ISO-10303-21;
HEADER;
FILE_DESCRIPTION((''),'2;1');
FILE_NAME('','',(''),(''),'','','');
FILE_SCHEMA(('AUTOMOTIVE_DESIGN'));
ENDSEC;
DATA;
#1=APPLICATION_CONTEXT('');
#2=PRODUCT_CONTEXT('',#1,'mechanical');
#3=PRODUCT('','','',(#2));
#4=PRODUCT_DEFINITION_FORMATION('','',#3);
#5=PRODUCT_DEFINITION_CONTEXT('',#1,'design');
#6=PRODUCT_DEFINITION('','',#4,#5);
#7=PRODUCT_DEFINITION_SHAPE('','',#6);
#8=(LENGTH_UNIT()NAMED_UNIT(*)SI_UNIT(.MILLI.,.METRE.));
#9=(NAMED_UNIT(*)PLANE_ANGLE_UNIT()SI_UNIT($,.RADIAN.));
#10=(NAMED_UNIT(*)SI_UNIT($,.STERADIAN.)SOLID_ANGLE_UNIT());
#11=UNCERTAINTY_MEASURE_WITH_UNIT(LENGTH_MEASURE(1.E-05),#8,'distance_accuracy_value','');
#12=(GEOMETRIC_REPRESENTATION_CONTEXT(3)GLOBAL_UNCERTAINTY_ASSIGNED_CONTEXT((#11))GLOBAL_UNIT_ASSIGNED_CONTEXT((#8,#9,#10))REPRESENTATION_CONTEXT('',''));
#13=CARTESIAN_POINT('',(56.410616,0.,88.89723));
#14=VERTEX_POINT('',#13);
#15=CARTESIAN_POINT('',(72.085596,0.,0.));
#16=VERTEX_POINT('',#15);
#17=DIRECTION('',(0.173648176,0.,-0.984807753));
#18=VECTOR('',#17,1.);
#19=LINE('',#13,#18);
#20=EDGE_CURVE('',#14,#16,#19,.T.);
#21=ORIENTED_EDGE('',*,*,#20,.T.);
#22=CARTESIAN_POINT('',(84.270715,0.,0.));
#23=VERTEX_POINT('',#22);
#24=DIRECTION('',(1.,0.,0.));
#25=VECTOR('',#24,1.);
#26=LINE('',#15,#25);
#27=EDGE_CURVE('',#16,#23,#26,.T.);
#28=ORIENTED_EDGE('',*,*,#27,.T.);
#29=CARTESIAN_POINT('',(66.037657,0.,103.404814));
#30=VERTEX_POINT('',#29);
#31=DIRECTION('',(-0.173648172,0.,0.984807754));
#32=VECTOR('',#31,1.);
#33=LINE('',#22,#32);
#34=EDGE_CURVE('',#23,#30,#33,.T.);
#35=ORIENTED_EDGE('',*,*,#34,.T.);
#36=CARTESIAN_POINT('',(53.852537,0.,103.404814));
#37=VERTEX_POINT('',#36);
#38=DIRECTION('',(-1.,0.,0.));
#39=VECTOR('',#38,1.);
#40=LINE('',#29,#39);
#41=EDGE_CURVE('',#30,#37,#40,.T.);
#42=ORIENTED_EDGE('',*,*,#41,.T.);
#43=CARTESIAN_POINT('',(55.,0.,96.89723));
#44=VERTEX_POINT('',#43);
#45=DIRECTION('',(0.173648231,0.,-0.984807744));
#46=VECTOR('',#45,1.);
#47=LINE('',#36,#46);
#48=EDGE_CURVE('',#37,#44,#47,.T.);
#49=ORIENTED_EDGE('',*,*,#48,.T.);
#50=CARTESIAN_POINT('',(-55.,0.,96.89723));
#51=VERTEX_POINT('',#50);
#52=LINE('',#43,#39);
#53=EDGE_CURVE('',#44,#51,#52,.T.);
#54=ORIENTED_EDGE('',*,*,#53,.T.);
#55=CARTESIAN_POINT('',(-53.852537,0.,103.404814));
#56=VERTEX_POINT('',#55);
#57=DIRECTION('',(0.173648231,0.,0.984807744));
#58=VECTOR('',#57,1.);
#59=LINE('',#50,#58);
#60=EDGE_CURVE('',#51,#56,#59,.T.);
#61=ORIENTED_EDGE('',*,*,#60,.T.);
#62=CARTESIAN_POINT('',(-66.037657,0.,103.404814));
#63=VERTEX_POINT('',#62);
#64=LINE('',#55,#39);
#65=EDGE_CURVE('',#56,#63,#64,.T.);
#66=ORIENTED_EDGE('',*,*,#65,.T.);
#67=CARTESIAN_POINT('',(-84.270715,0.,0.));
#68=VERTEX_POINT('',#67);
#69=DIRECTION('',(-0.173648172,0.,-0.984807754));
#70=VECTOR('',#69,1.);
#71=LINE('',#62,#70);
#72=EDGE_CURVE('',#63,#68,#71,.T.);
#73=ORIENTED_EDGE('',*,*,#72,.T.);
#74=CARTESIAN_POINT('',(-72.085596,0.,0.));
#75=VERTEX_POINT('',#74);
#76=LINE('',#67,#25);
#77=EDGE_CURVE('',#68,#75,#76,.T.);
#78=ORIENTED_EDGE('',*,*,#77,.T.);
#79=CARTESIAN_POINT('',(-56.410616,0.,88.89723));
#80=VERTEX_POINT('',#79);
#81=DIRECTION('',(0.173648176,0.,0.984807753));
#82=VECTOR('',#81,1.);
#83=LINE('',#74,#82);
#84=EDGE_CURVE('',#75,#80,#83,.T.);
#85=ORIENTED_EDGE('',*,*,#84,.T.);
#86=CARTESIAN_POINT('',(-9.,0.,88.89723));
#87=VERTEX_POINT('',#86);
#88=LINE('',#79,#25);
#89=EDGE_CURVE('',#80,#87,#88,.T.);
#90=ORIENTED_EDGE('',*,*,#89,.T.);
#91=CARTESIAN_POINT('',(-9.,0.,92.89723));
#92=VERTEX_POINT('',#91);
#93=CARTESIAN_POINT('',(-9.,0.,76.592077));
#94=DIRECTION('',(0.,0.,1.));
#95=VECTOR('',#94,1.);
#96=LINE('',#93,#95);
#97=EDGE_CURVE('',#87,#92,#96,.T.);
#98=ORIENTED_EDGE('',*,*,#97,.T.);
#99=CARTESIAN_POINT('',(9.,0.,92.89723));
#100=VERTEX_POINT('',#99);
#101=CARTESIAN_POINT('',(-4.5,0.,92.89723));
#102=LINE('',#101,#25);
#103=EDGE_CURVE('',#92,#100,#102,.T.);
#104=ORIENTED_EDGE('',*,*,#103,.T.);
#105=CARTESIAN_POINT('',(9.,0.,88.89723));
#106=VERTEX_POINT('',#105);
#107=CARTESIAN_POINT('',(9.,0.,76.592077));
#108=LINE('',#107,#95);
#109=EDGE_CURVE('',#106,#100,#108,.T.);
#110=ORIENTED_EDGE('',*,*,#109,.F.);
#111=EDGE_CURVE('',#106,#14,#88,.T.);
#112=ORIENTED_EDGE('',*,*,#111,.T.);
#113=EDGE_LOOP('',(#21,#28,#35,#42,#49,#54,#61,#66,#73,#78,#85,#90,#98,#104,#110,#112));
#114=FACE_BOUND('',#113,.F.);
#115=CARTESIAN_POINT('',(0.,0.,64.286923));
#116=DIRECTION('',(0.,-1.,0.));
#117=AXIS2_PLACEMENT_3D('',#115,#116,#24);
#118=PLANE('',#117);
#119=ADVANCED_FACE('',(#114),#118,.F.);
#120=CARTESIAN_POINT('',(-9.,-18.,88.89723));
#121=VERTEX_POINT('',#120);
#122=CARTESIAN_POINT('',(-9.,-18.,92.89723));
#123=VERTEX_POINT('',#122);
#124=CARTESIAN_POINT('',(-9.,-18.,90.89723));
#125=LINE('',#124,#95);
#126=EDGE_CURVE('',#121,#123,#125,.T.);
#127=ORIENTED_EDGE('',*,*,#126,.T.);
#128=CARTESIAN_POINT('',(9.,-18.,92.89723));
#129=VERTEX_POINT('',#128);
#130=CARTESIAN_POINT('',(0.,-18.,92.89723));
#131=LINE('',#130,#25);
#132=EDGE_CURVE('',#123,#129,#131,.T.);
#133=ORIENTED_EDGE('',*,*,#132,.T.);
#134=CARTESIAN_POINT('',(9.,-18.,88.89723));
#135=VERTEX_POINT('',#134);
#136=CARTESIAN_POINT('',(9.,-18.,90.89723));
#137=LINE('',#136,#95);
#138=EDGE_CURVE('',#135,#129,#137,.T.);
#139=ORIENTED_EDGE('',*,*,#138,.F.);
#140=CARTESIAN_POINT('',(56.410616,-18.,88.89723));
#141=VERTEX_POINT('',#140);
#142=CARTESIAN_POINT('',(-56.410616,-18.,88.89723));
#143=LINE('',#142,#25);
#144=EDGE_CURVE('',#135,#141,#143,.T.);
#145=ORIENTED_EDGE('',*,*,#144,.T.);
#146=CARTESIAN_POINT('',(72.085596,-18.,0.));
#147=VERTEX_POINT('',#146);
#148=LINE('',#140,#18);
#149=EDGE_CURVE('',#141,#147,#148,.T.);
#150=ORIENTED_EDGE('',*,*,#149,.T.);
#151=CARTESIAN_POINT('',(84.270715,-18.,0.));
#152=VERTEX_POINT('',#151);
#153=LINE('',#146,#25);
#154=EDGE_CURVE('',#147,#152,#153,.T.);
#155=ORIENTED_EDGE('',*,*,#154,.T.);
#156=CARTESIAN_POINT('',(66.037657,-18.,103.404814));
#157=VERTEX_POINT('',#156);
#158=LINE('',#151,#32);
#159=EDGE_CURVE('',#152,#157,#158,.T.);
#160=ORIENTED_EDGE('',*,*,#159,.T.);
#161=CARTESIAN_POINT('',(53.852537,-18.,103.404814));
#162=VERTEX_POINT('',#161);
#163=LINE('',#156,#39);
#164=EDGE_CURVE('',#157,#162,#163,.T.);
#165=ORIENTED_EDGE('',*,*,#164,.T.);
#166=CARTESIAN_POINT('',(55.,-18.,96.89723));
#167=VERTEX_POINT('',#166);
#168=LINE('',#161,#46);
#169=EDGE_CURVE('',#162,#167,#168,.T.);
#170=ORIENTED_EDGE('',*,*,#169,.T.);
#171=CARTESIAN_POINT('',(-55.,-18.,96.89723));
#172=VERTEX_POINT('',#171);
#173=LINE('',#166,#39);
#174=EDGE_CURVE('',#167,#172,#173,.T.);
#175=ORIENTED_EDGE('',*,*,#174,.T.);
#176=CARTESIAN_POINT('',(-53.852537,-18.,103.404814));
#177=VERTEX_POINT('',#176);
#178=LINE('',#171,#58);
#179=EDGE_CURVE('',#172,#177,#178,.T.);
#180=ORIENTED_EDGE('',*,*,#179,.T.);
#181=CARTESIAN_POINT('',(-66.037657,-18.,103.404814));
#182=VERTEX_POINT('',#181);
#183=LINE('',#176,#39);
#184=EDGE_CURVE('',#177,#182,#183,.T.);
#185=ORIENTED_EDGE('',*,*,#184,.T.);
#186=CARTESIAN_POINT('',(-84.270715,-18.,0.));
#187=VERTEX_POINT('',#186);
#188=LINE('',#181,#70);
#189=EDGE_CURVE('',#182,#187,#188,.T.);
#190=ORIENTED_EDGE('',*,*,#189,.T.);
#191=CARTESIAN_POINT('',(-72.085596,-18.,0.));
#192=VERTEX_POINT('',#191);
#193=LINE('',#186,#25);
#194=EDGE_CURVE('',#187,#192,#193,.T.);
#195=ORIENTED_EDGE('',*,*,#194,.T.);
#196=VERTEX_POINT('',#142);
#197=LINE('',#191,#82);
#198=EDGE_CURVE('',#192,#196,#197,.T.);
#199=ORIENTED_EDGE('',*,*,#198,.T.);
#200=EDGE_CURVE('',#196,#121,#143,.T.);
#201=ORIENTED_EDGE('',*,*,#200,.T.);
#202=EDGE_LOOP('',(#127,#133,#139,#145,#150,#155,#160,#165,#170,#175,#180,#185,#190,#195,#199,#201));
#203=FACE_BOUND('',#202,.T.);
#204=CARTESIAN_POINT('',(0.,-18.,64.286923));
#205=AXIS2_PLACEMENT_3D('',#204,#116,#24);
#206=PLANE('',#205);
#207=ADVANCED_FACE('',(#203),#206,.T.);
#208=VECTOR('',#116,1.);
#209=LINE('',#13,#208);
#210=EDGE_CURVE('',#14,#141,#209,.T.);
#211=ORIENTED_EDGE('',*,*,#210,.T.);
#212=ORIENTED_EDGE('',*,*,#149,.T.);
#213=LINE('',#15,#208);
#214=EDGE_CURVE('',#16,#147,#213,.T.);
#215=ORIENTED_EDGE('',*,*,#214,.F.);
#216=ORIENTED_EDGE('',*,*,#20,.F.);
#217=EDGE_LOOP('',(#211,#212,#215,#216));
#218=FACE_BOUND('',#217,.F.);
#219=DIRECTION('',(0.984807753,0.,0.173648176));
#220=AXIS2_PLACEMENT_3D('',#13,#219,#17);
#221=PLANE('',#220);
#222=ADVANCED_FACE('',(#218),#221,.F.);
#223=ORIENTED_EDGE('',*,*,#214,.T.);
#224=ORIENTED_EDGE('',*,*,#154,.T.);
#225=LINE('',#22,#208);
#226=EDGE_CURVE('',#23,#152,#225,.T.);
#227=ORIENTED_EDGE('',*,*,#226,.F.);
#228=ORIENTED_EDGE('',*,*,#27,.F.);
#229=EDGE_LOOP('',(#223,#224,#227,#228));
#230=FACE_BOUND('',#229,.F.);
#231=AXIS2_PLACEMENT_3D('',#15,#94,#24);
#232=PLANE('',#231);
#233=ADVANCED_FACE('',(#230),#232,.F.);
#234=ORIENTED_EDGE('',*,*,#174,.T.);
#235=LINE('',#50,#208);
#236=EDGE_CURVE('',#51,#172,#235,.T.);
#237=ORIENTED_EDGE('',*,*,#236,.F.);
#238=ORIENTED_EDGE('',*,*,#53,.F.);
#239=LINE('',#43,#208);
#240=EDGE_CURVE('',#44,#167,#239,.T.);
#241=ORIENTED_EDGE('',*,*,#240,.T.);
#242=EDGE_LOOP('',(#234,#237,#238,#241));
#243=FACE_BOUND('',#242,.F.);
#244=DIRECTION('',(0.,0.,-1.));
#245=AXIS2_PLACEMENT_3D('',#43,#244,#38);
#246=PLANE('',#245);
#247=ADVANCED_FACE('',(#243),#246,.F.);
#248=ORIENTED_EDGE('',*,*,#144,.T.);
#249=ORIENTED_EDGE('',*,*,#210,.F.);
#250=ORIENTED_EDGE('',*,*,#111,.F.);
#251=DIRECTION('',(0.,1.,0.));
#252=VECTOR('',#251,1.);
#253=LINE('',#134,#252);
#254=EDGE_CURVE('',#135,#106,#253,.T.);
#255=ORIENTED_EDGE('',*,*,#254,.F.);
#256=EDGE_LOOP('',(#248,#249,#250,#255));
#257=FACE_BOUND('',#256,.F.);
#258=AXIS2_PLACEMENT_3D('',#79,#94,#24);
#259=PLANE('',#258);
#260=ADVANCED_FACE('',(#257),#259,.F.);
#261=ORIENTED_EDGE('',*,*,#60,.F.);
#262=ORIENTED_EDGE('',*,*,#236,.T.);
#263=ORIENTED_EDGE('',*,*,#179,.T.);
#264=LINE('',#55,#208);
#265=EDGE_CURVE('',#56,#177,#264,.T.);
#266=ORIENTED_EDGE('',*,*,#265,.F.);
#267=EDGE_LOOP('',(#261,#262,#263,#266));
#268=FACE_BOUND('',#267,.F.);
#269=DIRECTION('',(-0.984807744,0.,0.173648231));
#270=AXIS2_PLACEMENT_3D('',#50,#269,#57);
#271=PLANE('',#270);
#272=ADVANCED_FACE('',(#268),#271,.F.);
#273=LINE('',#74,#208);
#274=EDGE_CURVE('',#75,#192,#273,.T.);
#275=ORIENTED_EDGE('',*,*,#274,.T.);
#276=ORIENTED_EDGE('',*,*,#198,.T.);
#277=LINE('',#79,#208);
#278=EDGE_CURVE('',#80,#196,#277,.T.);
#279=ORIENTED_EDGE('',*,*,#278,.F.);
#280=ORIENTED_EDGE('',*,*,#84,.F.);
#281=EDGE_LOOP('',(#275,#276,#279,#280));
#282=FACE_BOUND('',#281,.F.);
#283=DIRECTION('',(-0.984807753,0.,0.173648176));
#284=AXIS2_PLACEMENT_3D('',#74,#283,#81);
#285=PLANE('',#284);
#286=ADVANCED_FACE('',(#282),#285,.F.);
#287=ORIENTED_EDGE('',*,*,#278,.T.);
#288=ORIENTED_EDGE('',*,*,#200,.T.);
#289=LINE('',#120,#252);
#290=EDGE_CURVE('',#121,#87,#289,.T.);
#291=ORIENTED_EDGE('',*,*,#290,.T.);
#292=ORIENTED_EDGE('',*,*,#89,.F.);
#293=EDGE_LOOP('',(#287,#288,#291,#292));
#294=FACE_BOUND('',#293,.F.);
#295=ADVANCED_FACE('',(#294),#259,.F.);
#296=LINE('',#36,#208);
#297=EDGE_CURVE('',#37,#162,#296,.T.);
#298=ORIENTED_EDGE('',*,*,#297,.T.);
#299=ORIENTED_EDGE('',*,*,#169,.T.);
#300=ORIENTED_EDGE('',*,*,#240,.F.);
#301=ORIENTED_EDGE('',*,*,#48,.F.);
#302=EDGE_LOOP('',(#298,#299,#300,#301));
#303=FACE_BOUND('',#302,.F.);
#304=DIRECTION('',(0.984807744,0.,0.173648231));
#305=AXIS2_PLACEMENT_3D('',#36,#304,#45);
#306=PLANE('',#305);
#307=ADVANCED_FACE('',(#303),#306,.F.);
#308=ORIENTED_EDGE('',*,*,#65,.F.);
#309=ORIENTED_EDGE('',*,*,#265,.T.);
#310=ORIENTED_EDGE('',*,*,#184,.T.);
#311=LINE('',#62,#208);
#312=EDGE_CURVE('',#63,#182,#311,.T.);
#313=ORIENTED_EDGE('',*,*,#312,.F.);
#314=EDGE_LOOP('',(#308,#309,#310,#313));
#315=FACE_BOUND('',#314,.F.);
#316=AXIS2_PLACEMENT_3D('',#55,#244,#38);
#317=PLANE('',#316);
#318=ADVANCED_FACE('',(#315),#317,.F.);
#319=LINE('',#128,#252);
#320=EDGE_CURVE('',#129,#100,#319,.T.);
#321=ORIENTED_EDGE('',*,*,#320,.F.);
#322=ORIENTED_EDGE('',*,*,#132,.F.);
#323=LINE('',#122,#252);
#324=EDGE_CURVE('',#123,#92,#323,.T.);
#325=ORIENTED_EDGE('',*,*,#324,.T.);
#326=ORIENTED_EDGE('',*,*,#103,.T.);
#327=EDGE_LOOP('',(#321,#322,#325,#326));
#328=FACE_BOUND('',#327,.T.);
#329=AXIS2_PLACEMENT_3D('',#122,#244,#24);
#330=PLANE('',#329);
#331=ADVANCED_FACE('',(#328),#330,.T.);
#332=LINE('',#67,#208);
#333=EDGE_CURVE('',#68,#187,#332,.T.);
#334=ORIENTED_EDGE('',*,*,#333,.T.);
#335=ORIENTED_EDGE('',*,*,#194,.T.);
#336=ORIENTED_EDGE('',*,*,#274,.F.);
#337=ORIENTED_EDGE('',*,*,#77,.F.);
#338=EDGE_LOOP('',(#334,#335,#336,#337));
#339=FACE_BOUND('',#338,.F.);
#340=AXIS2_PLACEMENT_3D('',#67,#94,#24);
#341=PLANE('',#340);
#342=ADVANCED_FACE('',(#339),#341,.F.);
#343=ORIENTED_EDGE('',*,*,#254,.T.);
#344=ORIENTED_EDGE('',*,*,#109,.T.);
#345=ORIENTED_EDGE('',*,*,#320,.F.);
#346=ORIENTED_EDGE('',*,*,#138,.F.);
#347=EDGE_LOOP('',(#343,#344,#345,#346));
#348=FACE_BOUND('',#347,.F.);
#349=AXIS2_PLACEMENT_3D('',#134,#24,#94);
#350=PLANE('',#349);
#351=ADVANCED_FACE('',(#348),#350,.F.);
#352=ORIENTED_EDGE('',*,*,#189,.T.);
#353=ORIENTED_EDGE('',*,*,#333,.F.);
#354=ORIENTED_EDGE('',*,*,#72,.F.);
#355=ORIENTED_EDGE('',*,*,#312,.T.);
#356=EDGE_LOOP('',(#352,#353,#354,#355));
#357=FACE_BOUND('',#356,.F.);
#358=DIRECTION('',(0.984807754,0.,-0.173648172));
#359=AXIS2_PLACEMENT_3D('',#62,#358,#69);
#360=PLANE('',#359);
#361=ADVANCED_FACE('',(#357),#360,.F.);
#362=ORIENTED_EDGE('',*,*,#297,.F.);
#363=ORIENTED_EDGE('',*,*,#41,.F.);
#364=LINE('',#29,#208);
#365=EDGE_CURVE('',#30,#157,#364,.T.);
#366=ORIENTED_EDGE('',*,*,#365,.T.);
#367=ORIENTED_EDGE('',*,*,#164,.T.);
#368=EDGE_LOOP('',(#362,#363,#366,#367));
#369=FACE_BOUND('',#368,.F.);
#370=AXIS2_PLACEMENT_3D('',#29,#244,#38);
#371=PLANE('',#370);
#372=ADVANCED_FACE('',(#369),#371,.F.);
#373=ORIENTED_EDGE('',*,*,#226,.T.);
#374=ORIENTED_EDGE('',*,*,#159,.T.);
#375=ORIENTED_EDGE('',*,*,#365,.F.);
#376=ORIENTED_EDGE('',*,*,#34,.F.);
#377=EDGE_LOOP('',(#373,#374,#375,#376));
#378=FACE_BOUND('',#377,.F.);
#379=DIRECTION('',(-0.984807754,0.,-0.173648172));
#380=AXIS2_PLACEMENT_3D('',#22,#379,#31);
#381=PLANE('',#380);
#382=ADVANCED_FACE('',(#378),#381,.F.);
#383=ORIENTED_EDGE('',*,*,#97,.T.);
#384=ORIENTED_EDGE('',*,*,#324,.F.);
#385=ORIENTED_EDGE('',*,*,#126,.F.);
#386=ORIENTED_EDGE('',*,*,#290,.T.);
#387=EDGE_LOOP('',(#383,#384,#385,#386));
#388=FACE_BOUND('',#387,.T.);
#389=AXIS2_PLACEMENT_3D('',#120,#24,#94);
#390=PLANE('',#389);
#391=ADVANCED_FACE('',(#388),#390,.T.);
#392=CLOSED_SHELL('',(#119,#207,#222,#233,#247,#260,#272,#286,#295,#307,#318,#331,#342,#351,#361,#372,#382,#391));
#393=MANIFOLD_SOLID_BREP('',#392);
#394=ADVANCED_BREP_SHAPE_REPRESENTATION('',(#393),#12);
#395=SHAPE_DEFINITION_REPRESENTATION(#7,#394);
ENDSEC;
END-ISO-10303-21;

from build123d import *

# Parameters (mm, degrees)
F1_DEPTH = 18
F2_W     = 18
F2_H     = 4
F3_DEPTH = 20


with BuildPart() as f1:
    # F0 (on Front) → F1 (new body)
    with BuildSketch(Plane.XZ):
        Polygon((55, 96.89723), (0, 96.89723), (-55, 96.89723), (-53.852537, 103.404814), (-66.037657, 103.404814), (-84.270715, 0), (-72.085596, 0), (-56.410616, 88.89723), (0, 88.89723), (56.410616, 88.89723), (72.085596, 0), (84.270715, 0), (66.037657, 103.404814), (53.852537, 103.404814), align=None)
    extrude(amount=F1_DEPTH)

    # F2 (on face) → F3 (cut)
    with BuildSketch(Plane.XZ.offset(18)):
        with Locations((0, 90.89723)):
            Rectangle(F2_W, F2_H)
    extrude(amount=-F3_DEPTH, mode=Mode.SUBTRACT)


solid = f1.part
